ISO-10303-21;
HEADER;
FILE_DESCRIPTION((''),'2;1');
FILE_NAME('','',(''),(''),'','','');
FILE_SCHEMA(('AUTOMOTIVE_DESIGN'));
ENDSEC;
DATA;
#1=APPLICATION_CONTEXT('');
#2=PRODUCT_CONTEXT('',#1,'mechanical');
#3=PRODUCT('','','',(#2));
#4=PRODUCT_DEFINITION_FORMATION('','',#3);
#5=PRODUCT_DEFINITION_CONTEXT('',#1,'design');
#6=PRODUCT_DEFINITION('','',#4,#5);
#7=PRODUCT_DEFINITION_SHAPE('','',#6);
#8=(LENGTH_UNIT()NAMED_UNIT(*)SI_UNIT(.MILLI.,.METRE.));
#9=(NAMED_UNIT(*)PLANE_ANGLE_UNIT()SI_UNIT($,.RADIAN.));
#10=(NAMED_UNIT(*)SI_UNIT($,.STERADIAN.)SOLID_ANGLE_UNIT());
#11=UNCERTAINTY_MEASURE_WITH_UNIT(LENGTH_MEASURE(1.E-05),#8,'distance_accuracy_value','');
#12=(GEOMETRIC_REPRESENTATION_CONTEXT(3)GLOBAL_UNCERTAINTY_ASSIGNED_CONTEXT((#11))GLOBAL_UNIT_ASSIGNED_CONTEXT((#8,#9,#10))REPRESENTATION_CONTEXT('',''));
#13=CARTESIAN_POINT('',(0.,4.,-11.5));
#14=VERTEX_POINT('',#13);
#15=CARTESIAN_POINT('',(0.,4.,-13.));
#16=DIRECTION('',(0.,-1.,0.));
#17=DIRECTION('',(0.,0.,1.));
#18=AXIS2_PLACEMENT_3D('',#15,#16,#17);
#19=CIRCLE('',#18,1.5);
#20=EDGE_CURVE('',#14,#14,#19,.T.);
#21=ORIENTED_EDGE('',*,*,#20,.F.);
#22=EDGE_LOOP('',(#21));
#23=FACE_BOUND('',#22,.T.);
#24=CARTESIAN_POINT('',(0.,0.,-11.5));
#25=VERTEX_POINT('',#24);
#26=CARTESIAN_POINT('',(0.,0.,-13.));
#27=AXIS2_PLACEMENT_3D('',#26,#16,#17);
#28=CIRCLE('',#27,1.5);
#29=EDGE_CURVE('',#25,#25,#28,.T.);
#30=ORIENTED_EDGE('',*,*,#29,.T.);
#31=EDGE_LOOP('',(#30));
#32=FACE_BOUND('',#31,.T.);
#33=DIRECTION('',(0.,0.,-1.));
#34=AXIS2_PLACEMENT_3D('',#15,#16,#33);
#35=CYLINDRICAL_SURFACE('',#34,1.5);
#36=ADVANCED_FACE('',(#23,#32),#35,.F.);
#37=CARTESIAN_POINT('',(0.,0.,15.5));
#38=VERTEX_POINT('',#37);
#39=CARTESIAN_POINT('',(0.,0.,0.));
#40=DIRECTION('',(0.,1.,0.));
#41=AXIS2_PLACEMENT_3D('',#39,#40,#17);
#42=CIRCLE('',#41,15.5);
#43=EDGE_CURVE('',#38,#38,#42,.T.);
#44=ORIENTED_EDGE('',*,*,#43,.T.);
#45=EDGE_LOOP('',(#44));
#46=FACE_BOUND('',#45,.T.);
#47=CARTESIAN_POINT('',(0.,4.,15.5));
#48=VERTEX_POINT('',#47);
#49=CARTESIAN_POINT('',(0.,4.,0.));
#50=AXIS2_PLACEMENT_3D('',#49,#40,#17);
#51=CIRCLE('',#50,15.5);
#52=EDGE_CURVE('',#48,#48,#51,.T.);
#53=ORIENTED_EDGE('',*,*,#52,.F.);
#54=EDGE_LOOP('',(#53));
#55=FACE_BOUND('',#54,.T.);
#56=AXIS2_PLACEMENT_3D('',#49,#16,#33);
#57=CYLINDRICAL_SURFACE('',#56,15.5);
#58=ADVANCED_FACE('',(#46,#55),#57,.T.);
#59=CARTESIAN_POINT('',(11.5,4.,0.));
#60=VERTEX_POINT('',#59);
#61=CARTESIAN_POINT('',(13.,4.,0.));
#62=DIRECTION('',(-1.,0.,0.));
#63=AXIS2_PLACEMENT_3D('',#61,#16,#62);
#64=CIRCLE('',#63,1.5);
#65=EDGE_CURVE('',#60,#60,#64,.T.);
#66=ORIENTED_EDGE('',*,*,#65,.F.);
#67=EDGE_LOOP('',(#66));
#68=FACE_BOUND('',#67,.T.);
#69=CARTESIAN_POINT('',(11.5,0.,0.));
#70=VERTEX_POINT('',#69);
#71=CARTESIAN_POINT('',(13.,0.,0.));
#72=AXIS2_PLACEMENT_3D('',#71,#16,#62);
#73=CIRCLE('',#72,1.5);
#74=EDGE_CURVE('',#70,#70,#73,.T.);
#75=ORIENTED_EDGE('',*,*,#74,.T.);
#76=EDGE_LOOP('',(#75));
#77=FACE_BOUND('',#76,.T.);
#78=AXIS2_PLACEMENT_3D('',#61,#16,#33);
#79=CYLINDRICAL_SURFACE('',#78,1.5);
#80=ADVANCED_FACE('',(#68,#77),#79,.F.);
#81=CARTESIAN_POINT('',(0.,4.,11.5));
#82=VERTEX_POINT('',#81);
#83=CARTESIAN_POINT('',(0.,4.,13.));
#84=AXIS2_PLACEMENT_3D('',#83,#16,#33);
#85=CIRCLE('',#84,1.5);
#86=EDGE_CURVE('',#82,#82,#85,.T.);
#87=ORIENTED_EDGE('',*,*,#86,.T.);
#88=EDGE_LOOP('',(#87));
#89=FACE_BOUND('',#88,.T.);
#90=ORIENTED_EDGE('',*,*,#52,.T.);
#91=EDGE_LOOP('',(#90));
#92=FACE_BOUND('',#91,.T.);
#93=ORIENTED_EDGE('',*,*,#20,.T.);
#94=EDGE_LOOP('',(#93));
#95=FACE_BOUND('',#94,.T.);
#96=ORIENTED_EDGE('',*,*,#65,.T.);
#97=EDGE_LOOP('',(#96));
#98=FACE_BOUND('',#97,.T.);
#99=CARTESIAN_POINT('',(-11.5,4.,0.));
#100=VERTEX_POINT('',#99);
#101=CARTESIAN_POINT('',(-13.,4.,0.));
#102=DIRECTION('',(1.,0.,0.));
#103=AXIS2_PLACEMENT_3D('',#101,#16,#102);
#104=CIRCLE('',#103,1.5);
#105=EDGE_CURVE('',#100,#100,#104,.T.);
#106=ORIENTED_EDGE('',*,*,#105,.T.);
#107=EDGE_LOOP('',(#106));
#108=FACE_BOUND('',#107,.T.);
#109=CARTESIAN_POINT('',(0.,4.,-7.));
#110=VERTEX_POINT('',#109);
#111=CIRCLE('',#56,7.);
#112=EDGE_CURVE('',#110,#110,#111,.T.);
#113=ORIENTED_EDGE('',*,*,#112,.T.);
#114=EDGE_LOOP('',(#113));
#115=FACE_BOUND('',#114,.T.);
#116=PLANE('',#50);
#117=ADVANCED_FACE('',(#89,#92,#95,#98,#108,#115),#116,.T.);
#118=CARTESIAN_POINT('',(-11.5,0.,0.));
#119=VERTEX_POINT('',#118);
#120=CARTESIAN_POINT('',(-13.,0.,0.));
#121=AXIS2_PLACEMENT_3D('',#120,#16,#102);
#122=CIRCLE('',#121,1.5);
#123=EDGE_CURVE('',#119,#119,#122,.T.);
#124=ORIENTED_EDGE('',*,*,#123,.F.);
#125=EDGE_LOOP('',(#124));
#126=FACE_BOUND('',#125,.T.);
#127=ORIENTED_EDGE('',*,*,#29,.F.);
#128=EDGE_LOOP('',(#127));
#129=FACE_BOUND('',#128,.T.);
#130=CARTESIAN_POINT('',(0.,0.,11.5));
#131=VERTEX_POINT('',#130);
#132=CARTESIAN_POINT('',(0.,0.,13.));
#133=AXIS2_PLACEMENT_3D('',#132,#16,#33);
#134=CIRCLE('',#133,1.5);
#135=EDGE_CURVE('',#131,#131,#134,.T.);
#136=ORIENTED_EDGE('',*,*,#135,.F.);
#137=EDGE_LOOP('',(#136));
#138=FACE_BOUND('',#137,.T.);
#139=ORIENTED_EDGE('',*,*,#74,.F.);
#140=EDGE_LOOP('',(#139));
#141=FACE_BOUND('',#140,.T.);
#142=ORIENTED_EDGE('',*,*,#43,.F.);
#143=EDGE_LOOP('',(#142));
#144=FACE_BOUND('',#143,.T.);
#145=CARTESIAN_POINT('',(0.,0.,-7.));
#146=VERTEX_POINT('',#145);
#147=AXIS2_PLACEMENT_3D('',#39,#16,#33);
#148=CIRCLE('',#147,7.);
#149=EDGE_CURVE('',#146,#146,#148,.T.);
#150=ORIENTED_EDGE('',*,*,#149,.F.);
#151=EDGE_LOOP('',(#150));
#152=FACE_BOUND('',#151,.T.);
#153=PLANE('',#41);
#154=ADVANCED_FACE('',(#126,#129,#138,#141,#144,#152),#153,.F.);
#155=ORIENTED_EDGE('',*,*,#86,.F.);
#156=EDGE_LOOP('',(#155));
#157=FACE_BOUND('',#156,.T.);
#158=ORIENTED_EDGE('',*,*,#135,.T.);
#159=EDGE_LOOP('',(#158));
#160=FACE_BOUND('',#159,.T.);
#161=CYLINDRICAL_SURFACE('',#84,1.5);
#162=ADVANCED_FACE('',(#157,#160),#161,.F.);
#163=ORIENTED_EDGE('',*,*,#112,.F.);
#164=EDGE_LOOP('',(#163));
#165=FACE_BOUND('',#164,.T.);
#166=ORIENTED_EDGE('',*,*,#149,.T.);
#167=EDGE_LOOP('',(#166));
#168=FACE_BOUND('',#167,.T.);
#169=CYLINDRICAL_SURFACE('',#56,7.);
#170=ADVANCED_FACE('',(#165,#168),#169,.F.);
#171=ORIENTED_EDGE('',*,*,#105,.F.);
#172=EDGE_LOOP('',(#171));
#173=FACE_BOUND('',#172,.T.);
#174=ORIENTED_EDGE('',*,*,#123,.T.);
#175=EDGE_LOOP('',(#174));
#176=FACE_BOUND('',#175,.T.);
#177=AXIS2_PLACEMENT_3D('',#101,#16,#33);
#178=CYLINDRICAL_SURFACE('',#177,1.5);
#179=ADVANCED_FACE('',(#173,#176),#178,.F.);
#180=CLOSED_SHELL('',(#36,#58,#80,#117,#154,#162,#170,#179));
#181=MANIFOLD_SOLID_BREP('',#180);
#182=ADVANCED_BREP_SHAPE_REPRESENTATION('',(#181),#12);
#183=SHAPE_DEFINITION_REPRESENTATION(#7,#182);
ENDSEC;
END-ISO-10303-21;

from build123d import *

# Parameters (mm, degrees)
SKETCH1_R           = 15.5
BOSS_EXTRUDE1_DEPTH = 4
SKETCH2_R           = 7
CENTER_HOLE_DEPTH   = 23.282279955
SKETCH3_R           = 1.5
M2_5_HOLE_DEPTH     = 23.282279955
CIRPATTERN1_COUNT   = 4


with BuildPart() as part:
    # Sketch1 → Boss-Extrude1 (new body)
    with BuildSketch(Plane(origin=(0, 0, 0), x_dir=(1, 0, 0), z_dir=(0, 1, 0))):
        with Locations(Location((0, 0, 0), (0, 0, 270))):
            Circle(SKETCH1_R)
    extrude(amount=BOSS_EXTRUDE1_DEPTH)

    # Sketch2 → center hole (cut, through all)
    with BuildSketch(Plane.XZ):
        with Locations(Location((0, 0, 0), (0, 0, 270))):
            Circle(SKETCH2_R)
    extrude(amount=-CENTER_HOLE_DEPTH, mode=Mode.SUBTRACT)

    # Sketch3 → M2.5 hole (cut, through all)
    with BuildSketch(Plane.XZ):
        with Locations(Location((0, 13, 0), (0, 0, 270))):
            Circle(SKETCH3_R)
    m2_5_hole = extrude(amount=-M2_5_HOLE_DEPTH, mode=Mode.SUBTRACT)

    # CirPattern1: M2.5 hole ×4 about axis
    cirpattern1_axis = Axis((0, 0, 0), (0, 1, 0))
    for i in range(1, CIRPATTERN1_COUNT):
        add(m2_5_hole.rotate(cirpattern1_axis, i * 360 / CIRPATTERN1_COUNT), mode=Mode.SUBTRACT)


solid = part.part
